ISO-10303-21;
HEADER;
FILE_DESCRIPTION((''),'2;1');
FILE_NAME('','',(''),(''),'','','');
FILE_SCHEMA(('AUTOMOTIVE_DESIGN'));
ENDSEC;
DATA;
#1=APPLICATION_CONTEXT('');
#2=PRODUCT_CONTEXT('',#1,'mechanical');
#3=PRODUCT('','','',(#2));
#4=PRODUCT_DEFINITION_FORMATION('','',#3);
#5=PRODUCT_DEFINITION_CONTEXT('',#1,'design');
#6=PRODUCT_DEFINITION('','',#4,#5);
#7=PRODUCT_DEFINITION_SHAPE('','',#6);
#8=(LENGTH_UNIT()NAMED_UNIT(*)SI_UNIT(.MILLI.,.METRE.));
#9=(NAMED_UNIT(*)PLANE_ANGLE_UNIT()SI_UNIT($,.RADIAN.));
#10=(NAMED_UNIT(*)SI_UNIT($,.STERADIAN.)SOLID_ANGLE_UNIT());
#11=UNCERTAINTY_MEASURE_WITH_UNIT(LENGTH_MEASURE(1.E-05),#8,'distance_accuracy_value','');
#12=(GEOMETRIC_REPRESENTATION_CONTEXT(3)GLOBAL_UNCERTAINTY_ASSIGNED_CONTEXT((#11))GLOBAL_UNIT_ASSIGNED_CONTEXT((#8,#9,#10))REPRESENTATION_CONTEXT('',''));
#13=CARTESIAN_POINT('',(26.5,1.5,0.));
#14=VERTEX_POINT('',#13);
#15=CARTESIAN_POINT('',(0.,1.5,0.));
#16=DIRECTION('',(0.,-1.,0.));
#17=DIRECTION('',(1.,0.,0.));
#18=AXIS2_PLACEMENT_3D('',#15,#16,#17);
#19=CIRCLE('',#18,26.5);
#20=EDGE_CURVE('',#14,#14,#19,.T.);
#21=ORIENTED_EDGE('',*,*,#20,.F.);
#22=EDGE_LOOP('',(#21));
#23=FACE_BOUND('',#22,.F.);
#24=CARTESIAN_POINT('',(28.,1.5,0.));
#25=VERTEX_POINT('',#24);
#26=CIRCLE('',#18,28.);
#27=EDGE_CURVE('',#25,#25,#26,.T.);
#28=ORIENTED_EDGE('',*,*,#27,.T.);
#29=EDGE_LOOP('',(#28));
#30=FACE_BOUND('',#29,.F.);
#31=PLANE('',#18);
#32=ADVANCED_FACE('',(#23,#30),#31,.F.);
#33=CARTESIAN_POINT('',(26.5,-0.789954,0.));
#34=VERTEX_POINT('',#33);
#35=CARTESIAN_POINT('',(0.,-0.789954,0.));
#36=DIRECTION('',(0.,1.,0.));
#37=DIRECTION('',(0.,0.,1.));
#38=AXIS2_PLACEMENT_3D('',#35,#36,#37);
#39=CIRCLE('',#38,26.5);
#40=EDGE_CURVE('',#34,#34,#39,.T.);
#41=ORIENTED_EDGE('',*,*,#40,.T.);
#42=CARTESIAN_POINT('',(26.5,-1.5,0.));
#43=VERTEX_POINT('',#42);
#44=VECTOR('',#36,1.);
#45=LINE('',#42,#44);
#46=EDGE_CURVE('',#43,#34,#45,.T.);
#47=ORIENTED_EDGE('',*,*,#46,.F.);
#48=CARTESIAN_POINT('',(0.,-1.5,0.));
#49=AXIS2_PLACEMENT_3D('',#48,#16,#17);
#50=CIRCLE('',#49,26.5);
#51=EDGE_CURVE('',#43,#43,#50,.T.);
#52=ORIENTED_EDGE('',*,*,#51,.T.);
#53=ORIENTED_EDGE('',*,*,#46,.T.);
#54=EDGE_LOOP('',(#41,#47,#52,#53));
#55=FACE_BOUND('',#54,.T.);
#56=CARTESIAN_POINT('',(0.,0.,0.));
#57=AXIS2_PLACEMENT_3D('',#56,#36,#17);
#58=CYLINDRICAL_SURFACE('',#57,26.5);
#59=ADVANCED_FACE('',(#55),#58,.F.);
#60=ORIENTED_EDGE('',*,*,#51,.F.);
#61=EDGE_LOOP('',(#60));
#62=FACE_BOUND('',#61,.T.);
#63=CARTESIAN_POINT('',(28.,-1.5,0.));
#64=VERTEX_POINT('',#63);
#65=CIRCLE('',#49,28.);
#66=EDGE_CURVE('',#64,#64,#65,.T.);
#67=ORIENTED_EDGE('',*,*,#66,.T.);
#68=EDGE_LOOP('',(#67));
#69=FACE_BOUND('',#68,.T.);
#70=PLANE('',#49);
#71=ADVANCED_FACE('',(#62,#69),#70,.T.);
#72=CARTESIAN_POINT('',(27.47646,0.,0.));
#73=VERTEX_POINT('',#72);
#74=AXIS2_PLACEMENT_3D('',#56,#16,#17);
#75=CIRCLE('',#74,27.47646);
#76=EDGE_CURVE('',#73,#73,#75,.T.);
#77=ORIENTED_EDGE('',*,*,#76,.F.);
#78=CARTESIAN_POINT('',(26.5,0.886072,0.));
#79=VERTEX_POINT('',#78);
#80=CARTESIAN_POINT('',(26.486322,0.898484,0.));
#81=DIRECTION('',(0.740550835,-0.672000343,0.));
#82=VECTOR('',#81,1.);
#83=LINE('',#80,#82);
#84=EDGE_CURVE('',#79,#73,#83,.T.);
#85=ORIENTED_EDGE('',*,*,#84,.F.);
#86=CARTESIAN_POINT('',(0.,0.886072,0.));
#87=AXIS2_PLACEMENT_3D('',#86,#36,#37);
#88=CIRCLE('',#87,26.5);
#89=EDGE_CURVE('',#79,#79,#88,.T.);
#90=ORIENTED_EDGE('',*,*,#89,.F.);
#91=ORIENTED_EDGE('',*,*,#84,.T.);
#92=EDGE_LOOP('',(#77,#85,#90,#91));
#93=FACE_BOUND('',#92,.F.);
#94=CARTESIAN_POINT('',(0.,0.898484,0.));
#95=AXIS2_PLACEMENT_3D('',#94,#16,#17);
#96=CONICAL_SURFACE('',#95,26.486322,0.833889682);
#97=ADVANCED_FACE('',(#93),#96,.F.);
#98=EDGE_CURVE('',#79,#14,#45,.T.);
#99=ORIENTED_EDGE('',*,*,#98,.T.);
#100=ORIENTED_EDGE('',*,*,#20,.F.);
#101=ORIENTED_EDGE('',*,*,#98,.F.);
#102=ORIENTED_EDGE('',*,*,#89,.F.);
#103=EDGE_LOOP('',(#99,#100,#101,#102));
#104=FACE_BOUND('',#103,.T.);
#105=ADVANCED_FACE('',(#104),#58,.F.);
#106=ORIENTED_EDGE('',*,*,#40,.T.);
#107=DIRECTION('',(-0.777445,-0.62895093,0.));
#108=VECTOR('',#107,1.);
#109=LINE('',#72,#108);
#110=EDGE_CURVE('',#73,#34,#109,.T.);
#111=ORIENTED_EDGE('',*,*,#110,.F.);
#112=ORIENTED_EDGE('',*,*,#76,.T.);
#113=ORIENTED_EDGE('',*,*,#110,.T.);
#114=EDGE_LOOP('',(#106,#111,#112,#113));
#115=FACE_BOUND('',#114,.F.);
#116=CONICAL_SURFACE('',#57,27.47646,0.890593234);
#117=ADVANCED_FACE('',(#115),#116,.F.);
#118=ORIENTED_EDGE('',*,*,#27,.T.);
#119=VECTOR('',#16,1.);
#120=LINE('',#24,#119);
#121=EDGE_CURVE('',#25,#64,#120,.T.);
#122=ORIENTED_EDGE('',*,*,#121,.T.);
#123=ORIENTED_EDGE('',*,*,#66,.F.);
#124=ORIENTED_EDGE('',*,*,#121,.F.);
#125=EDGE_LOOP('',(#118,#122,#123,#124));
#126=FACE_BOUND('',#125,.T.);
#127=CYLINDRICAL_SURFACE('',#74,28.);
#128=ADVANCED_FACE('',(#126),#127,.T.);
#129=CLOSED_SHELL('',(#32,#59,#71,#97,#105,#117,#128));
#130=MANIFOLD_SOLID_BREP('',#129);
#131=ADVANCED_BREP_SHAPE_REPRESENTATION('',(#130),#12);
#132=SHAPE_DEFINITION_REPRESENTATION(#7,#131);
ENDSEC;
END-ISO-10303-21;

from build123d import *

# Parameters (mm, degrees)
F0_R     = 28
F0_R_2   = 27.158874
F0_R_3   = 26.5
F1_DEPTH = 1.5


with BuildPart() as f1:
    # F0 (on Front) → F1 (new body, symmetric)
    with BuildSketch(Plane.XZ):
        Circle(F0_R)
        Circle(F0_R_2, mode=Mode.SUBTRACT)
        Circle(F0_R_2)
        Circle(F0_R_3, mode=Mode.SUBTRACT)
    extrude(amount=F1_DEPTH, both=True)

    # F3: sweep along a path in F0
    with BuildLine(Plane.XZ) as f3_path:
        CenterArc((0, 0), 27.158874, 0, 360)
    # F2 (on Top) → F3 (sweep, cut)
    with BuildSketch(Plane.XY):
        Polygon((-26.486322, 0.898484), (-27.47646, 0), (-26.486322, -0.801019), align=None)
    sweep(path=f3_path.line, mode=Mode.SUBTRACT)


solid = f1.part
